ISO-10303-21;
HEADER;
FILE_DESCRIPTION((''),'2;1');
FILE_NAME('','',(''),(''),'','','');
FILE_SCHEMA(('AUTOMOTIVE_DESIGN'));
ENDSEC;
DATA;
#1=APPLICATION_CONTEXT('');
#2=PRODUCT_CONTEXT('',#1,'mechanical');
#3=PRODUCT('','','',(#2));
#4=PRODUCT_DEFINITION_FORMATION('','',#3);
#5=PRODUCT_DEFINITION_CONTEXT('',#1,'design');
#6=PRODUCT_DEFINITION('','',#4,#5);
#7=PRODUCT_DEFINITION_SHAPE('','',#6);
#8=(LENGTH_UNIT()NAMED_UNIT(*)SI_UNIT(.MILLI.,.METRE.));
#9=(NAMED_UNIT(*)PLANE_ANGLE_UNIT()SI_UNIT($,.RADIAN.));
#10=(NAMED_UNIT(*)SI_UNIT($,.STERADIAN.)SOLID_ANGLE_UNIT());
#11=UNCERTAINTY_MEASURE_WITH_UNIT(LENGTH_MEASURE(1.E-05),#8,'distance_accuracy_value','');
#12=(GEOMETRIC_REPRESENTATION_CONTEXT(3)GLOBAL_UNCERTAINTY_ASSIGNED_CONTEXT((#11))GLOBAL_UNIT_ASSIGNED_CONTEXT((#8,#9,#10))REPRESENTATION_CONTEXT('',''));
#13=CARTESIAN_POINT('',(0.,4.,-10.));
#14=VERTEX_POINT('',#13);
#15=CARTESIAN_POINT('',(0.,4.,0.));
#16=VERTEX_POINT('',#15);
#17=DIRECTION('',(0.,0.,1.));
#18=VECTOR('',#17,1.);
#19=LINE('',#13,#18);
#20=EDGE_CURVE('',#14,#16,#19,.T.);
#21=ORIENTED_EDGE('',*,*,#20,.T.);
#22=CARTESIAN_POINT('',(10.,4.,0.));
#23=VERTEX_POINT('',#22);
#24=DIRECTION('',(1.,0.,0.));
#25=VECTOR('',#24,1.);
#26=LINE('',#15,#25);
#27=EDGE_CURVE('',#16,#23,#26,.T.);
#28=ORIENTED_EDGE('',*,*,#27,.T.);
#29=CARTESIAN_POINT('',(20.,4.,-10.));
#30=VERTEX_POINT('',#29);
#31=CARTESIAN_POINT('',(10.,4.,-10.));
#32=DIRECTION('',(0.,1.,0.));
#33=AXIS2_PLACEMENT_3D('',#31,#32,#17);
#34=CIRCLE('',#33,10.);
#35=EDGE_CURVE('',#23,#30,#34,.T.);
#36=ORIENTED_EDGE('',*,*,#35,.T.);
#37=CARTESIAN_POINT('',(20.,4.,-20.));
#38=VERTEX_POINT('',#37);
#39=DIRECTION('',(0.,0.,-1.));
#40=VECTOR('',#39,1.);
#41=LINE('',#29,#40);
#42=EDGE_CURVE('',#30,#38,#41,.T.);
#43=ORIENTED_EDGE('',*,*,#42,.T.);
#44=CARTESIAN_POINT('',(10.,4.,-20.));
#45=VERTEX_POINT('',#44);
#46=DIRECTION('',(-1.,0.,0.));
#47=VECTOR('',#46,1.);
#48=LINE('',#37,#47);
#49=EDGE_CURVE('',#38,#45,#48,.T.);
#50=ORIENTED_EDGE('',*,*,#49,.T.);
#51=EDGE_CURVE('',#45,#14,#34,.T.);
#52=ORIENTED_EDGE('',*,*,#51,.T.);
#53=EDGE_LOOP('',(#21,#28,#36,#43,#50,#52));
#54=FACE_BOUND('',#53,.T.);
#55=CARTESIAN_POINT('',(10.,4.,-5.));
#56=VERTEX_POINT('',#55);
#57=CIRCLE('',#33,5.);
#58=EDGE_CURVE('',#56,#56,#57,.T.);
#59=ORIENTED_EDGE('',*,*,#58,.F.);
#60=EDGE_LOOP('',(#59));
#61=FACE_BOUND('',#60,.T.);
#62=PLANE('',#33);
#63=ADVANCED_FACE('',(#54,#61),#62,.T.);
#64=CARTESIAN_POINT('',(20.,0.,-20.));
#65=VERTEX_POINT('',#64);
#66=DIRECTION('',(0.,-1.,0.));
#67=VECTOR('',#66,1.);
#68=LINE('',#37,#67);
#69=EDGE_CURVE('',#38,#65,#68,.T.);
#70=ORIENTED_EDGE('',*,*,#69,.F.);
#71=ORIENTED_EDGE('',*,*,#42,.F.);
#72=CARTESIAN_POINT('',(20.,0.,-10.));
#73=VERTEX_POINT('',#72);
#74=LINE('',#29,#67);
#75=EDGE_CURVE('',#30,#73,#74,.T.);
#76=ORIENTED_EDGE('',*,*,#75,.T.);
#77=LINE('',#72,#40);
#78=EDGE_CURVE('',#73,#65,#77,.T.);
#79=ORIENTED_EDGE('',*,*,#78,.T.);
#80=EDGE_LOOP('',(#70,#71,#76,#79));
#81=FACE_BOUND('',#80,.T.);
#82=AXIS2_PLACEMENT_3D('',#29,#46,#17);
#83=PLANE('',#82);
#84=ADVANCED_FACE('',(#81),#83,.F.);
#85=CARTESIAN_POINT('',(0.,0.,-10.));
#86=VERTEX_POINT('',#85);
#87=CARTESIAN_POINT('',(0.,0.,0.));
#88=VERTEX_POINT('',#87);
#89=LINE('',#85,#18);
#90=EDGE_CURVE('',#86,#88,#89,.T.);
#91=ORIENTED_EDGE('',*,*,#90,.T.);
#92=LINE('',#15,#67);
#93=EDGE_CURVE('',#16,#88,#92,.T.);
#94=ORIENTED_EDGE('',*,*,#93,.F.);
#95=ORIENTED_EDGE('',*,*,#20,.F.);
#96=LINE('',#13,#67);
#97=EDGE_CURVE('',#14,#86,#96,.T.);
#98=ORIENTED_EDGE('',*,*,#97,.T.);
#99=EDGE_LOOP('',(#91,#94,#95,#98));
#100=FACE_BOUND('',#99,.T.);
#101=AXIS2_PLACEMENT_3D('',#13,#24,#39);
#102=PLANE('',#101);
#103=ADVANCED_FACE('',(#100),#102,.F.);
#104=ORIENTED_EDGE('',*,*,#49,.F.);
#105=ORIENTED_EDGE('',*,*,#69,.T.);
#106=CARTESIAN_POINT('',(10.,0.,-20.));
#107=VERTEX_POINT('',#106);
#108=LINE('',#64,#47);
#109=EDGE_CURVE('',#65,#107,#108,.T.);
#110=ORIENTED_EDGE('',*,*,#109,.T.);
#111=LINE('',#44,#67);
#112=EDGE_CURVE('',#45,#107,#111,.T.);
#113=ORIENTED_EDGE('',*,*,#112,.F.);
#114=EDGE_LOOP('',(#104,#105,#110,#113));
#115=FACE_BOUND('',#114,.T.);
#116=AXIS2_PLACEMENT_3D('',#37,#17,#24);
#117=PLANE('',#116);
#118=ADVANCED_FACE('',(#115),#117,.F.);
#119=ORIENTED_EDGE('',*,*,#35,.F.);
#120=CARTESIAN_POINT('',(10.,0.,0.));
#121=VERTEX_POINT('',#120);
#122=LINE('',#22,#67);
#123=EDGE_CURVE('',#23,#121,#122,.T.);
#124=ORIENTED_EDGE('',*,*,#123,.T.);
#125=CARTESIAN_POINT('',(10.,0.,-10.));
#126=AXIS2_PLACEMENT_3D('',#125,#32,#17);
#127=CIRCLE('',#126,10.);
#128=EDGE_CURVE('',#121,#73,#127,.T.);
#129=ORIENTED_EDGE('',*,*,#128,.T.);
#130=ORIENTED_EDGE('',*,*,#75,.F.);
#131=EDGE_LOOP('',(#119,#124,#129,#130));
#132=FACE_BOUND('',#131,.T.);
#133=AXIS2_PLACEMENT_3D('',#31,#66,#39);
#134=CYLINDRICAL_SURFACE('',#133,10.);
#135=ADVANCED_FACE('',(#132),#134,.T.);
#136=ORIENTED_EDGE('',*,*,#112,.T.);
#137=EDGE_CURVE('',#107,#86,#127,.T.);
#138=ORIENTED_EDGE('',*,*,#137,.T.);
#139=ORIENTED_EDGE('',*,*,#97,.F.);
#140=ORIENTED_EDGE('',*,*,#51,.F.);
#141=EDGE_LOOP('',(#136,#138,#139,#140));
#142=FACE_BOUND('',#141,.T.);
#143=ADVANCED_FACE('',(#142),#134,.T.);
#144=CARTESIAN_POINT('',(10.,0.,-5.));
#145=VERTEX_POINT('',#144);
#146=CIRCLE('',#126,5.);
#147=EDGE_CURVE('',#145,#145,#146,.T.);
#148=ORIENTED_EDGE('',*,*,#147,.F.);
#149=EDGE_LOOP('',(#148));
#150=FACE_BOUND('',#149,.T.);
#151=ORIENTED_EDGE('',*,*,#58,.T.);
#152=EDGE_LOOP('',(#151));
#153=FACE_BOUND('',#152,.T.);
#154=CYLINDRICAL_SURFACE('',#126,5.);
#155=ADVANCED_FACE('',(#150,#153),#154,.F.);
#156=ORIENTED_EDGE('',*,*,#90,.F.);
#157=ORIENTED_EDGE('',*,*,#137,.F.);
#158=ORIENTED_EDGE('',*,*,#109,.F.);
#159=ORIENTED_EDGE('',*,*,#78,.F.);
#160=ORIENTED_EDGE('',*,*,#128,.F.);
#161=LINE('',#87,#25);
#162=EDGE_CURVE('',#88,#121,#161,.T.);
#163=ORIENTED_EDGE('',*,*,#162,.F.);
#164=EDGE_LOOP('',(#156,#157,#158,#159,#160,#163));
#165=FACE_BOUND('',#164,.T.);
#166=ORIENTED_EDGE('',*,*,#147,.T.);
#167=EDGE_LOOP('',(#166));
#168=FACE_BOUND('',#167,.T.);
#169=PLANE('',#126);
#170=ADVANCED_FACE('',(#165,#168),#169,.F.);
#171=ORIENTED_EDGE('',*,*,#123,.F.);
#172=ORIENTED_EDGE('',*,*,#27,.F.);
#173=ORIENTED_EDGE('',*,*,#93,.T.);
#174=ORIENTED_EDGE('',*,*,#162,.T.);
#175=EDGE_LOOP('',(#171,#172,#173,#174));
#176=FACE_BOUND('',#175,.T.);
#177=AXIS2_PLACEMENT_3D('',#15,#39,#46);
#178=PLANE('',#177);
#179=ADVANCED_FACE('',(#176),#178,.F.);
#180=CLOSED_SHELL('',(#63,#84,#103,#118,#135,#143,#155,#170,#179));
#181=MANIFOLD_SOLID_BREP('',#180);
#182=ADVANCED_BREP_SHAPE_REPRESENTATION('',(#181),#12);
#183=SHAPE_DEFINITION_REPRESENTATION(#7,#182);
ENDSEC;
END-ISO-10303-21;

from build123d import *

# Parameters (mm, degrees)
EXTRUDE_1_DEPTH     = 4
SKETCH_2_R          = 5
CUT_EXTRUDE_1_DEPTH = 5


with BuildPart() as part:
    # Эскиз1 → Бобышка-Вытянуть1 (new body)
    with BuildSketch(Plane(origin=(0, 0, 0), x_dir=(1, 0, 0), z_dir=(0, 1, 0))):
        with BuildLine():
            Line((0, 0), (10, 0))
            ThreePointArc((10, 0), (17.071067812, 2.928932188), (20, 10))
            Line((20, 10), (20, 20))
            Line((20, 20), (10, 20))
            ThreePointArc((10, 20), (2.928932188, 17.071067812), (0, 10))
            Line((0, 10), (0, 0))
        make_face()
    extrude(amount=EXTRUDE_1_DEPTH)

    # Эскиз2 → Вырез-Вытянуть1 (cut, through all)
    with BuildSketch(Plane(origin=(0, 4, 0), x_dir=(1, 0, 0), z_dir=(0, 1, 0))):
        with Locations((10, 10)):
            Circle(SKETCH_2_R)
    extrude(amount=-CUT_EXTRUDE_1_DEPTH, mode=Mode.SUBTRACT)


solid = part.part
